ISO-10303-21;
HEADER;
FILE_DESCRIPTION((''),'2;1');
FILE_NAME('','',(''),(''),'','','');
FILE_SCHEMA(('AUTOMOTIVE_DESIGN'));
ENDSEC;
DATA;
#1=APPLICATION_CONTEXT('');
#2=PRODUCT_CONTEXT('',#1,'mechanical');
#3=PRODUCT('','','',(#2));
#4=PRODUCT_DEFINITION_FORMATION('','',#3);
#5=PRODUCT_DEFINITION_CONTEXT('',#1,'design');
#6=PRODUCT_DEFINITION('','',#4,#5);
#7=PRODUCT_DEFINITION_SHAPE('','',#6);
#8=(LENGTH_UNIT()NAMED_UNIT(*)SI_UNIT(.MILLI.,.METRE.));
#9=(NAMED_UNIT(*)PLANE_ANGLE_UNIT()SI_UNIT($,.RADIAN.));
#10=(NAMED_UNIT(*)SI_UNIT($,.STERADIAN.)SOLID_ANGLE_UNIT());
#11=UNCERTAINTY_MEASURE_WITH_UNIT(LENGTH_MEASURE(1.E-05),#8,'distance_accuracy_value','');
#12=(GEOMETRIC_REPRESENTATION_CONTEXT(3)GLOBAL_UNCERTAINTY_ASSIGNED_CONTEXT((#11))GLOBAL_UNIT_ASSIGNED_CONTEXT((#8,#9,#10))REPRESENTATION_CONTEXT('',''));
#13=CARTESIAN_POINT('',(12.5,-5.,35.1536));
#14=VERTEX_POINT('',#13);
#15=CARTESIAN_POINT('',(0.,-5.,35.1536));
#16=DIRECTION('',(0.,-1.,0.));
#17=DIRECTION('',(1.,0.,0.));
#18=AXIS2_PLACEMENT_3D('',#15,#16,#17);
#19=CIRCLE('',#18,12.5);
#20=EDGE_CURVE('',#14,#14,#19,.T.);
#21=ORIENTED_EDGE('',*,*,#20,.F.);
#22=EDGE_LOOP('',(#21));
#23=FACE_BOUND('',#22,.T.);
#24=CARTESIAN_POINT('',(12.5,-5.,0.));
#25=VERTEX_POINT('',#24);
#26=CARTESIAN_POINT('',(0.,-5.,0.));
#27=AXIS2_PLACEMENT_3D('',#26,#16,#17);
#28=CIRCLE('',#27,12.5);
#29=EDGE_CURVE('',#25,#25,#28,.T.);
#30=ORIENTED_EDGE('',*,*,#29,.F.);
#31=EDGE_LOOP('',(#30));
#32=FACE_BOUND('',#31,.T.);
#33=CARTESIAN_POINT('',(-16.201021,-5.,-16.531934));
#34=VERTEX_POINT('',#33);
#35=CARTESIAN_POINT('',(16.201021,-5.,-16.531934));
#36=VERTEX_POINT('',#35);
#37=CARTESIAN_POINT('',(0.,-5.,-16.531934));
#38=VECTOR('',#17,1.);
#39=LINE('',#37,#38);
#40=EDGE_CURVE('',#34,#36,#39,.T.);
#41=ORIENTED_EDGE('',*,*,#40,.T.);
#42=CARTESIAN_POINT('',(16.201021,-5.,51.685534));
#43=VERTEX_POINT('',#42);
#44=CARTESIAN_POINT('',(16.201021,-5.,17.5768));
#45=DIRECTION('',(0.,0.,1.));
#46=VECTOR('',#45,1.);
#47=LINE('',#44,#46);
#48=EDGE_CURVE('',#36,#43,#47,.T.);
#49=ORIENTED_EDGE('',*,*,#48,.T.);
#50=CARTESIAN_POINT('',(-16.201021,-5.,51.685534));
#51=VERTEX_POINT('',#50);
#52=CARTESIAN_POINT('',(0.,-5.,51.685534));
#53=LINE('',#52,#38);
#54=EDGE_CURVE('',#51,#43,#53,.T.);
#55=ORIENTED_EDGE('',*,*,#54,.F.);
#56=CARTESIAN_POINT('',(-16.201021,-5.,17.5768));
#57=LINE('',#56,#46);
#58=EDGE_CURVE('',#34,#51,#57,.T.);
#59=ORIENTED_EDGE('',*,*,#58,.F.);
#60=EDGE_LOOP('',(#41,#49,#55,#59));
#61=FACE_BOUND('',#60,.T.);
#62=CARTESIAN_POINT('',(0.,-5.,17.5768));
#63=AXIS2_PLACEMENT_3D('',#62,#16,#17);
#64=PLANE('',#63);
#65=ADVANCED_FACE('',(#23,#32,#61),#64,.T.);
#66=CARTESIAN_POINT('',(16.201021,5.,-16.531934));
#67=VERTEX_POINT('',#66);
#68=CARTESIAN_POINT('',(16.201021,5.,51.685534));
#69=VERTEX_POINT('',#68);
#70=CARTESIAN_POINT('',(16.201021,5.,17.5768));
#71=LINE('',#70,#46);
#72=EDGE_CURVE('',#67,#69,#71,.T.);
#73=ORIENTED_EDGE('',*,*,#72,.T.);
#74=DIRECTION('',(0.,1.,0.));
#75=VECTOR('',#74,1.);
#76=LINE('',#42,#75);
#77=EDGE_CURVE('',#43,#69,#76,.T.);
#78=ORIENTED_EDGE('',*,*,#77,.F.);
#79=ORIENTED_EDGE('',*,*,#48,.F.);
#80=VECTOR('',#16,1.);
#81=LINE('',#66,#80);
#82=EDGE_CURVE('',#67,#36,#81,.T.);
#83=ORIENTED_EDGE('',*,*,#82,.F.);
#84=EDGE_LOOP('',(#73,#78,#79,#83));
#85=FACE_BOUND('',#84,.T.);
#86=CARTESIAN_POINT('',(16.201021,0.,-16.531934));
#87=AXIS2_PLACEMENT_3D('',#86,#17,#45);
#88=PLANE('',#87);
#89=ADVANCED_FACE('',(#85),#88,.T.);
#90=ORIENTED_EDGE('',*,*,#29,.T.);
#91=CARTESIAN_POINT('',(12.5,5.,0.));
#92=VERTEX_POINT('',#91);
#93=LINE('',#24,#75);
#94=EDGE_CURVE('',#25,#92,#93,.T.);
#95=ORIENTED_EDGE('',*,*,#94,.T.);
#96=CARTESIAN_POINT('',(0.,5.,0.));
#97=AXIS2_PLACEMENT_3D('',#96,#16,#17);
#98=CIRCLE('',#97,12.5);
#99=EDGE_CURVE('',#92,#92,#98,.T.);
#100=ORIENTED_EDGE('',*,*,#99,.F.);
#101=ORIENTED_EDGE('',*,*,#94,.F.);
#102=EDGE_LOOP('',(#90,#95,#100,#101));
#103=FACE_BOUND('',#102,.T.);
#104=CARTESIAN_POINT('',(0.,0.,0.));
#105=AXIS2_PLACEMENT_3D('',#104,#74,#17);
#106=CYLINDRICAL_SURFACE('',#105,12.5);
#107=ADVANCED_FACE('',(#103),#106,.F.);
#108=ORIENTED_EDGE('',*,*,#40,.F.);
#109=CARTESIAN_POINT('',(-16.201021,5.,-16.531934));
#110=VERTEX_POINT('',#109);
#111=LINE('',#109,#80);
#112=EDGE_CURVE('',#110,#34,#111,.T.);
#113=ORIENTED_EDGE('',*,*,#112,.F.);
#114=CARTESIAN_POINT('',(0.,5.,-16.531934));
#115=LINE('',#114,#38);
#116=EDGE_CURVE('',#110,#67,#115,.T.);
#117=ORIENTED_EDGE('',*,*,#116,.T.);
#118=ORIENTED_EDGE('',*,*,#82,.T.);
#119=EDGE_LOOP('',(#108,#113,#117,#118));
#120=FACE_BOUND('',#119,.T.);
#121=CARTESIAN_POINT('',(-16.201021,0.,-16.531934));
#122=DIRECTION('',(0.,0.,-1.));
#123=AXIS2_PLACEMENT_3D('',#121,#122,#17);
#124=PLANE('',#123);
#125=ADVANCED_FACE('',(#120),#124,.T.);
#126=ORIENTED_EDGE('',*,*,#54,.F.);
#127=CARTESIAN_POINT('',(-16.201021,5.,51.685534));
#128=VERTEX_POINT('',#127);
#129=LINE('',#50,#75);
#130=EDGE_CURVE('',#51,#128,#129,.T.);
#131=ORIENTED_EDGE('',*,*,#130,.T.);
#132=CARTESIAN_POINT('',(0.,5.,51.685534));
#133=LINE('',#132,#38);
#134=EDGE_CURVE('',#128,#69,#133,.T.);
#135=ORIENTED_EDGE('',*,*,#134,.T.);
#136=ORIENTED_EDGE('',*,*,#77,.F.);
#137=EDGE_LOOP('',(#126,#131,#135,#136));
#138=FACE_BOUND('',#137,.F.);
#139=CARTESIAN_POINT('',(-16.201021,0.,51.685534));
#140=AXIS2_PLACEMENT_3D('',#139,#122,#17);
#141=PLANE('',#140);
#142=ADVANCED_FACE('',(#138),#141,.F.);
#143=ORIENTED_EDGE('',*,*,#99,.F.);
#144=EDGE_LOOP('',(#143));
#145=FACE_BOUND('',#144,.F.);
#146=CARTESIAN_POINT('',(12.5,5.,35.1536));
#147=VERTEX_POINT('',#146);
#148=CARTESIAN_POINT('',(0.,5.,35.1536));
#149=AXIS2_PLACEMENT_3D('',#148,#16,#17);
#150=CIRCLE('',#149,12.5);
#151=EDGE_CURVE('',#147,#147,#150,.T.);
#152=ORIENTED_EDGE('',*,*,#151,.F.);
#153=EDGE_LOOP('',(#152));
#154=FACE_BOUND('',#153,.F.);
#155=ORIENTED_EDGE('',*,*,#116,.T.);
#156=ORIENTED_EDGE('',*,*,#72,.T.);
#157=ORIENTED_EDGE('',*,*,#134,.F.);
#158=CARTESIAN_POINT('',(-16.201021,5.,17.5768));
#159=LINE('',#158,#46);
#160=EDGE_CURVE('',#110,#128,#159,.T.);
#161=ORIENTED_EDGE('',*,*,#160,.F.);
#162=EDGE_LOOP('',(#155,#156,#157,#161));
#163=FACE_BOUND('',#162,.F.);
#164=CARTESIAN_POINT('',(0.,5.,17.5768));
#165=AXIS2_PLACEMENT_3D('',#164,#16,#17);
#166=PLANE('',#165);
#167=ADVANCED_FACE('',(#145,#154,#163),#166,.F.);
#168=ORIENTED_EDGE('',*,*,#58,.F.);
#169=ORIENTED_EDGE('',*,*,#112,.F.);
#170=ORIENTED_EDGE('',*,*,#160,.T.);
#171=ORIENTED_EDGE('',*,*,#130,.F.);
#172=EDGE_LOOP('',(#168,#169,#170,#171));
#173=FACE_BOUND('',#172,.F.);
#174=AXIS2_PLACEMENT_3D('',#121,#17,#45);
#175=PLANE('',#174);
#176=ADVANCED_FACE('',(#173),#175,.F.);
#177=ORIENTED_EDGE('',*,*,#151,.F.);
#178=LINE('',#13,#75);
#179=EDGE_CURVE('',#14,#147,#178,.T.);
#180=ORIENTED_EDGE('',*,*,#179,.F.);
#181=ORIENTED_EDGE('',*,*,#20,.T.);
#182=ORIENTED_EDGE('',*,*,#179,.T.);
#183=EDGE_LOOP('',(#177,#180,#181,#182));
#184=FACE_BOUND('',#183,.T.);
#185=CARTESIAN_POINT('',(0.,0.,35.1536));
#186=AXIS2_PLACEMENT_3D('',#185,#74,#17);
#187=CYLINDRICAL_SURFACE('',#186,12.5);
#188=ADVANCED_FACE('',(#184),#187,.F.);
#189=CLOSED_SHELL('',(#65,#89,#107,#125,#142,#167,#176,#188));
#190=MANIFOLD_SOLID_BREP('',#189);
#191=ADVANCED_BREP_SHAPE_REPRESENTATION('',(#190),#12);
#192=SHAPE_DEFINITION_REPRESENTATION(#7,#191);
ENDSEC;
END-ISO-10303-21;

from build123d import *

# Parameters (mm, degrees)
F0_W     = 32.402042
F0_H     = 68.217468
F0_R     = 12.5
F1_DEPTH = 5


with BuildPart() as f1:
    # F0 (on Front) → F1 (new body, symmetric)
    with BuildSketch(Plane.XZ):
        with Locations((0, 17.5768)):
            Rectangle(F0_W, F0_H)
        Circle(F0_R, mode=Mode.SUBTRACT)
        with Locations((0, 35.1536)):
            Circle(F0_R, mode=Mode.SUBTRACT)
    extrude(amount=F1_DEPTH, both=True)


solid = f1.part
